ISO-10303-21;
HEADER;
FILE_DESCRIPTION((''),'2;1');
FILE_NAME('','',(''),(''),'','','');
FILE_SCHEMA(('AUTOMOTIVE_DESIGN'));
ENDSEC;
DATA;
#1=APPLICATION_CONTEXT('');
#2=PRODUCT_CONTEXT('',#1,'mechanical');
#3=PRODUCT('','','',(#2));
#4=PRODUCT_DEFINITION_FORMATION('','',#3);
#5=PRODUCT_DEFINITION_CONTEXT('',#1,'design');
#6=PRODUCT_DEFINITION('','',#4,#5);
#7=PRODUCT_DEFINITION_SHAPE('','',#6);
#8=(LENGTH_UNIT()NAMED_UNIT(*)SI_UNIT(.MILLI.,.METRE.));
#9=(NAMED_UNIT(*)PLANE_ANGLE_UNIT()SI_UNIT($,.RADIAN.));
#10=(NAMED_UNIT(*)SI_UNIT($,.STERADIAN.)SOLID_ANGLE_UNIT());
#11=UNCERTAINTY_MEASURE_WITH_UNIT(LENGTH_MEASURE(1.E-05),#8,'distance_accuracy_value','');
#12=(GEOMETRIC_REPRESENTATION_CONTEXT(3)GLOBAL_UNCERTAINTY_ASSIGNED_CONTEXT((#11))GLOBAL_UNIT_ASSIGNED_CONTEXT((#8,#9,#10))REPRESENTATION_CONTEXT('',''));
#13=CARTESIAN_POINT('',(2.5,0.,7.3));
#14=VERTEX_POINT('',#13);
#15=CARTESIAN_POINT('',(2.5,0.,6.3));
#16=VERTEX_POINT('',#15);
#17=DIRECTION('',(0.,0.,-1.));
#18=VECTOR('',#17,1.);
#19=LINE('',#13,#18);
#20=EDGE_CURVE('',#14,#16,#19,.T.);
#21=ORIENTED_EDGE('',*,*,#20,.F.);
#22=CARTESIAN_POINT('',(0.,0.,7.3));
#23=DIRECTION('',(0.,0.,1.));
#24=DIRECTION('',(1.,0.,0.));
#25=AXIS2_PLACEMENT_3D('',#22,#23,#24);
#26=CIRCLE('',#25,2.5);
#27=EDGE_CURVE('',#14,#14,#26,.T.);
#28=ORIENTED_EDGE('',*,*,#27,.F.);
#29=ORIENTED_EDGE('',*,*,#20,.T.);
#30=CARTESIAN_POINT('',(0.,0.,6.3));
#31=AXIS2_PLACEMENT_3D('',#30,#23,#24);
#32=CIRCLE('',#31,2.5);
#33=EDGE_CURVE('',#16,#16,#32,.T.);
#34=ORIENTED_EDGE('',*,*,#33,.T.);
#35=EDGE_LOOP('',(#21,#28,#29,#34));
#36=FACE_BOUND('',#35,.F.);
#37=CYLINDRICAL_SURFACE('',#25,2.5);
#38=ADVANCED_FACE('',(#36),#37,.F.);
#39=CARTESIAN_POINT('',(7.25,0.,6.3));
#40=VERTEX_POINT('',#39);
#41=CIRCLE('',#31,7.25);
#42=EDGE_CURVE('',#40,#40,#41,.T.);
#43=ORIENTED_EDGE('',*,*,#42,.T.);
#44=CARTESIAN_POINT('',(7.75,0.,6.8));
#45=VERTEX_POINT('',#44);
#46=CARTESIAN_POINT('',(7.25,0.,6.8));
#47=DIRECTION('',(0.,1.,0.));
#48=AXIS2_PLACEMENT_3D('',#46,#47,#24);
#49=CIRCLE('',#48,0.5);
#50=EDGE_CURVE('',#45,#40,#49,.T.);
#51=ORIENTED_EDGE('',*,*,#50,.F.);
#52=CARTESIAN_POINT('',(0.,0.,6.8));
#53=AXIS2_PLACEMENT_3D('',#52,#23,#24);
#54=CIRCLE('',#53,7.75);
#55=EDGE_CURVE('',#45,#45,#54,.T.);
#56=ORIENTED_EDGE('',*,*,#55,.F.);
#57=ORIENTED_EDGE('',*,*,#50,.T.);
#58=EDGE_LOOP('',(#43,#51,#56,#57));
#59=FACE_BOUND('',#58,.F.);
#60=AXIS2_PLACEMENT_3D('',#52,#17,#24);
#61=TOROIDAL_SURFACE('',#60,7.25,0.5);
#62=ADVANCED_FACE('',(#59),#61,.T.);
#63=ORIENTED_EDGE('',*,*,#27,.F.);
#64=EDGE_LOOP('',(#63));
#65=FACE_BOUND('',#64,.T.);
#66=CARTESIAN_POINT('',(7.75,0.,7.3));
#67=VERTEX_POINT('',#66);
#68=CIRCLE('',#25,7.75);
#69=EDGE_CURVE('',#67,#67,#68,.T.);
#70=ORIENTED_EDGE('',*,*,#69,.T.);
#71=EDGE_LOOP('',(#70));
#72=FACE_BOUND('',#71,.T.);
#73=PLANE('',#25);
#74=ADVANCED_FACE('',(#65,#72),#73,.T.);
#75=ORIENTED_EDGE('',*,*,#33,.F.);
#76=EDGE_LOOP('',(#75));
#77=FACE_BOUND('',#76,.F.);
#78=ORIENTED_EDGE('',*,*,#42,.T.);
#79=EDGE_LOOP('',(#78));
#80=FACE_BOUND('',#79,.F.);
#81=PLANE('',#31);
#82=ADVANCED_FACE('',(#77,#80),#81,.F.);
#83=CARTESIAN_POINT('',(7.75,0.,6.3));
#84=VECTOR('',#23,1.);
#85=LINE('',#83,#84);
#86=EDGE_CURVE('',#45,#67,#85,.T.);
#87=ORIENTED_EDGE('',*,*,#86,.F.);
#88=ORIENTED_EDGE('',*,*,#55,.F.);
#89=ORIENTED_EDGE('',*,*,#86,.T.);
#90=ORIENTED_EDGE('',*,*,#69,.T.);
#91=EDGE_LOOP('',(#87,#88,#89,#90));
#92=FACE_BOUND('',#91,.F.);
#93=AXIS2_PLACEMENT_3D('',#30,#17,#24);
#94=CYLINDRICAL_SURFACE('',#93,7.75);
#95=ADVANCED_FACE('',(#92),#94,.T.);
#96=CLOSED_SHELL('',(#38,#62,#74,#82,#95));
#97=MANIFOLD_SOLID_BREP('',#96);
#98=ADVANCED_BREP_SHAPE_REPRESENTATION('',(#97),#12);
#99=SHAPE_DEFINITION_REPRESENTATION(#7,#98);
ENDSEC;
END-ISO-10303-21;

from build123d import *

# Parameters (mm, degrees)
SKETCH001_R  = 7.75
PAD_DEPTH    = 1
FILLET_R     = 0.5
SKETCH002_R  = 2.5
POCKET_DEPTH = 5


with BuildPart() as part:
    # Sketch001 (on Face1 of CopyInvoluteGear) → Pad (new body)
    with BuildSketch(Plane.XY.offset(6.3)):
        Circle(SKETCH001_R)
    extrude(amount=PAD_DEPTH)

    # Fillet
    fillet_edges = [part.edges().sort_by_distance(p)[0] for p in [
        (-7.75, 0, 6.3),
    ]]
    fillet(fillet_edges, radius=FILLET_R)

    # Sketch002 (on Face3 of Fillet) → Pocket (cut)
    with BuildSketch(Plane.XY.offset(7.3)):
        Circle(SKETCH002_R)
    extrude(amount=-POCKET_DEPTH, mode=Mode.SUBTRACT)


solid = part.part
